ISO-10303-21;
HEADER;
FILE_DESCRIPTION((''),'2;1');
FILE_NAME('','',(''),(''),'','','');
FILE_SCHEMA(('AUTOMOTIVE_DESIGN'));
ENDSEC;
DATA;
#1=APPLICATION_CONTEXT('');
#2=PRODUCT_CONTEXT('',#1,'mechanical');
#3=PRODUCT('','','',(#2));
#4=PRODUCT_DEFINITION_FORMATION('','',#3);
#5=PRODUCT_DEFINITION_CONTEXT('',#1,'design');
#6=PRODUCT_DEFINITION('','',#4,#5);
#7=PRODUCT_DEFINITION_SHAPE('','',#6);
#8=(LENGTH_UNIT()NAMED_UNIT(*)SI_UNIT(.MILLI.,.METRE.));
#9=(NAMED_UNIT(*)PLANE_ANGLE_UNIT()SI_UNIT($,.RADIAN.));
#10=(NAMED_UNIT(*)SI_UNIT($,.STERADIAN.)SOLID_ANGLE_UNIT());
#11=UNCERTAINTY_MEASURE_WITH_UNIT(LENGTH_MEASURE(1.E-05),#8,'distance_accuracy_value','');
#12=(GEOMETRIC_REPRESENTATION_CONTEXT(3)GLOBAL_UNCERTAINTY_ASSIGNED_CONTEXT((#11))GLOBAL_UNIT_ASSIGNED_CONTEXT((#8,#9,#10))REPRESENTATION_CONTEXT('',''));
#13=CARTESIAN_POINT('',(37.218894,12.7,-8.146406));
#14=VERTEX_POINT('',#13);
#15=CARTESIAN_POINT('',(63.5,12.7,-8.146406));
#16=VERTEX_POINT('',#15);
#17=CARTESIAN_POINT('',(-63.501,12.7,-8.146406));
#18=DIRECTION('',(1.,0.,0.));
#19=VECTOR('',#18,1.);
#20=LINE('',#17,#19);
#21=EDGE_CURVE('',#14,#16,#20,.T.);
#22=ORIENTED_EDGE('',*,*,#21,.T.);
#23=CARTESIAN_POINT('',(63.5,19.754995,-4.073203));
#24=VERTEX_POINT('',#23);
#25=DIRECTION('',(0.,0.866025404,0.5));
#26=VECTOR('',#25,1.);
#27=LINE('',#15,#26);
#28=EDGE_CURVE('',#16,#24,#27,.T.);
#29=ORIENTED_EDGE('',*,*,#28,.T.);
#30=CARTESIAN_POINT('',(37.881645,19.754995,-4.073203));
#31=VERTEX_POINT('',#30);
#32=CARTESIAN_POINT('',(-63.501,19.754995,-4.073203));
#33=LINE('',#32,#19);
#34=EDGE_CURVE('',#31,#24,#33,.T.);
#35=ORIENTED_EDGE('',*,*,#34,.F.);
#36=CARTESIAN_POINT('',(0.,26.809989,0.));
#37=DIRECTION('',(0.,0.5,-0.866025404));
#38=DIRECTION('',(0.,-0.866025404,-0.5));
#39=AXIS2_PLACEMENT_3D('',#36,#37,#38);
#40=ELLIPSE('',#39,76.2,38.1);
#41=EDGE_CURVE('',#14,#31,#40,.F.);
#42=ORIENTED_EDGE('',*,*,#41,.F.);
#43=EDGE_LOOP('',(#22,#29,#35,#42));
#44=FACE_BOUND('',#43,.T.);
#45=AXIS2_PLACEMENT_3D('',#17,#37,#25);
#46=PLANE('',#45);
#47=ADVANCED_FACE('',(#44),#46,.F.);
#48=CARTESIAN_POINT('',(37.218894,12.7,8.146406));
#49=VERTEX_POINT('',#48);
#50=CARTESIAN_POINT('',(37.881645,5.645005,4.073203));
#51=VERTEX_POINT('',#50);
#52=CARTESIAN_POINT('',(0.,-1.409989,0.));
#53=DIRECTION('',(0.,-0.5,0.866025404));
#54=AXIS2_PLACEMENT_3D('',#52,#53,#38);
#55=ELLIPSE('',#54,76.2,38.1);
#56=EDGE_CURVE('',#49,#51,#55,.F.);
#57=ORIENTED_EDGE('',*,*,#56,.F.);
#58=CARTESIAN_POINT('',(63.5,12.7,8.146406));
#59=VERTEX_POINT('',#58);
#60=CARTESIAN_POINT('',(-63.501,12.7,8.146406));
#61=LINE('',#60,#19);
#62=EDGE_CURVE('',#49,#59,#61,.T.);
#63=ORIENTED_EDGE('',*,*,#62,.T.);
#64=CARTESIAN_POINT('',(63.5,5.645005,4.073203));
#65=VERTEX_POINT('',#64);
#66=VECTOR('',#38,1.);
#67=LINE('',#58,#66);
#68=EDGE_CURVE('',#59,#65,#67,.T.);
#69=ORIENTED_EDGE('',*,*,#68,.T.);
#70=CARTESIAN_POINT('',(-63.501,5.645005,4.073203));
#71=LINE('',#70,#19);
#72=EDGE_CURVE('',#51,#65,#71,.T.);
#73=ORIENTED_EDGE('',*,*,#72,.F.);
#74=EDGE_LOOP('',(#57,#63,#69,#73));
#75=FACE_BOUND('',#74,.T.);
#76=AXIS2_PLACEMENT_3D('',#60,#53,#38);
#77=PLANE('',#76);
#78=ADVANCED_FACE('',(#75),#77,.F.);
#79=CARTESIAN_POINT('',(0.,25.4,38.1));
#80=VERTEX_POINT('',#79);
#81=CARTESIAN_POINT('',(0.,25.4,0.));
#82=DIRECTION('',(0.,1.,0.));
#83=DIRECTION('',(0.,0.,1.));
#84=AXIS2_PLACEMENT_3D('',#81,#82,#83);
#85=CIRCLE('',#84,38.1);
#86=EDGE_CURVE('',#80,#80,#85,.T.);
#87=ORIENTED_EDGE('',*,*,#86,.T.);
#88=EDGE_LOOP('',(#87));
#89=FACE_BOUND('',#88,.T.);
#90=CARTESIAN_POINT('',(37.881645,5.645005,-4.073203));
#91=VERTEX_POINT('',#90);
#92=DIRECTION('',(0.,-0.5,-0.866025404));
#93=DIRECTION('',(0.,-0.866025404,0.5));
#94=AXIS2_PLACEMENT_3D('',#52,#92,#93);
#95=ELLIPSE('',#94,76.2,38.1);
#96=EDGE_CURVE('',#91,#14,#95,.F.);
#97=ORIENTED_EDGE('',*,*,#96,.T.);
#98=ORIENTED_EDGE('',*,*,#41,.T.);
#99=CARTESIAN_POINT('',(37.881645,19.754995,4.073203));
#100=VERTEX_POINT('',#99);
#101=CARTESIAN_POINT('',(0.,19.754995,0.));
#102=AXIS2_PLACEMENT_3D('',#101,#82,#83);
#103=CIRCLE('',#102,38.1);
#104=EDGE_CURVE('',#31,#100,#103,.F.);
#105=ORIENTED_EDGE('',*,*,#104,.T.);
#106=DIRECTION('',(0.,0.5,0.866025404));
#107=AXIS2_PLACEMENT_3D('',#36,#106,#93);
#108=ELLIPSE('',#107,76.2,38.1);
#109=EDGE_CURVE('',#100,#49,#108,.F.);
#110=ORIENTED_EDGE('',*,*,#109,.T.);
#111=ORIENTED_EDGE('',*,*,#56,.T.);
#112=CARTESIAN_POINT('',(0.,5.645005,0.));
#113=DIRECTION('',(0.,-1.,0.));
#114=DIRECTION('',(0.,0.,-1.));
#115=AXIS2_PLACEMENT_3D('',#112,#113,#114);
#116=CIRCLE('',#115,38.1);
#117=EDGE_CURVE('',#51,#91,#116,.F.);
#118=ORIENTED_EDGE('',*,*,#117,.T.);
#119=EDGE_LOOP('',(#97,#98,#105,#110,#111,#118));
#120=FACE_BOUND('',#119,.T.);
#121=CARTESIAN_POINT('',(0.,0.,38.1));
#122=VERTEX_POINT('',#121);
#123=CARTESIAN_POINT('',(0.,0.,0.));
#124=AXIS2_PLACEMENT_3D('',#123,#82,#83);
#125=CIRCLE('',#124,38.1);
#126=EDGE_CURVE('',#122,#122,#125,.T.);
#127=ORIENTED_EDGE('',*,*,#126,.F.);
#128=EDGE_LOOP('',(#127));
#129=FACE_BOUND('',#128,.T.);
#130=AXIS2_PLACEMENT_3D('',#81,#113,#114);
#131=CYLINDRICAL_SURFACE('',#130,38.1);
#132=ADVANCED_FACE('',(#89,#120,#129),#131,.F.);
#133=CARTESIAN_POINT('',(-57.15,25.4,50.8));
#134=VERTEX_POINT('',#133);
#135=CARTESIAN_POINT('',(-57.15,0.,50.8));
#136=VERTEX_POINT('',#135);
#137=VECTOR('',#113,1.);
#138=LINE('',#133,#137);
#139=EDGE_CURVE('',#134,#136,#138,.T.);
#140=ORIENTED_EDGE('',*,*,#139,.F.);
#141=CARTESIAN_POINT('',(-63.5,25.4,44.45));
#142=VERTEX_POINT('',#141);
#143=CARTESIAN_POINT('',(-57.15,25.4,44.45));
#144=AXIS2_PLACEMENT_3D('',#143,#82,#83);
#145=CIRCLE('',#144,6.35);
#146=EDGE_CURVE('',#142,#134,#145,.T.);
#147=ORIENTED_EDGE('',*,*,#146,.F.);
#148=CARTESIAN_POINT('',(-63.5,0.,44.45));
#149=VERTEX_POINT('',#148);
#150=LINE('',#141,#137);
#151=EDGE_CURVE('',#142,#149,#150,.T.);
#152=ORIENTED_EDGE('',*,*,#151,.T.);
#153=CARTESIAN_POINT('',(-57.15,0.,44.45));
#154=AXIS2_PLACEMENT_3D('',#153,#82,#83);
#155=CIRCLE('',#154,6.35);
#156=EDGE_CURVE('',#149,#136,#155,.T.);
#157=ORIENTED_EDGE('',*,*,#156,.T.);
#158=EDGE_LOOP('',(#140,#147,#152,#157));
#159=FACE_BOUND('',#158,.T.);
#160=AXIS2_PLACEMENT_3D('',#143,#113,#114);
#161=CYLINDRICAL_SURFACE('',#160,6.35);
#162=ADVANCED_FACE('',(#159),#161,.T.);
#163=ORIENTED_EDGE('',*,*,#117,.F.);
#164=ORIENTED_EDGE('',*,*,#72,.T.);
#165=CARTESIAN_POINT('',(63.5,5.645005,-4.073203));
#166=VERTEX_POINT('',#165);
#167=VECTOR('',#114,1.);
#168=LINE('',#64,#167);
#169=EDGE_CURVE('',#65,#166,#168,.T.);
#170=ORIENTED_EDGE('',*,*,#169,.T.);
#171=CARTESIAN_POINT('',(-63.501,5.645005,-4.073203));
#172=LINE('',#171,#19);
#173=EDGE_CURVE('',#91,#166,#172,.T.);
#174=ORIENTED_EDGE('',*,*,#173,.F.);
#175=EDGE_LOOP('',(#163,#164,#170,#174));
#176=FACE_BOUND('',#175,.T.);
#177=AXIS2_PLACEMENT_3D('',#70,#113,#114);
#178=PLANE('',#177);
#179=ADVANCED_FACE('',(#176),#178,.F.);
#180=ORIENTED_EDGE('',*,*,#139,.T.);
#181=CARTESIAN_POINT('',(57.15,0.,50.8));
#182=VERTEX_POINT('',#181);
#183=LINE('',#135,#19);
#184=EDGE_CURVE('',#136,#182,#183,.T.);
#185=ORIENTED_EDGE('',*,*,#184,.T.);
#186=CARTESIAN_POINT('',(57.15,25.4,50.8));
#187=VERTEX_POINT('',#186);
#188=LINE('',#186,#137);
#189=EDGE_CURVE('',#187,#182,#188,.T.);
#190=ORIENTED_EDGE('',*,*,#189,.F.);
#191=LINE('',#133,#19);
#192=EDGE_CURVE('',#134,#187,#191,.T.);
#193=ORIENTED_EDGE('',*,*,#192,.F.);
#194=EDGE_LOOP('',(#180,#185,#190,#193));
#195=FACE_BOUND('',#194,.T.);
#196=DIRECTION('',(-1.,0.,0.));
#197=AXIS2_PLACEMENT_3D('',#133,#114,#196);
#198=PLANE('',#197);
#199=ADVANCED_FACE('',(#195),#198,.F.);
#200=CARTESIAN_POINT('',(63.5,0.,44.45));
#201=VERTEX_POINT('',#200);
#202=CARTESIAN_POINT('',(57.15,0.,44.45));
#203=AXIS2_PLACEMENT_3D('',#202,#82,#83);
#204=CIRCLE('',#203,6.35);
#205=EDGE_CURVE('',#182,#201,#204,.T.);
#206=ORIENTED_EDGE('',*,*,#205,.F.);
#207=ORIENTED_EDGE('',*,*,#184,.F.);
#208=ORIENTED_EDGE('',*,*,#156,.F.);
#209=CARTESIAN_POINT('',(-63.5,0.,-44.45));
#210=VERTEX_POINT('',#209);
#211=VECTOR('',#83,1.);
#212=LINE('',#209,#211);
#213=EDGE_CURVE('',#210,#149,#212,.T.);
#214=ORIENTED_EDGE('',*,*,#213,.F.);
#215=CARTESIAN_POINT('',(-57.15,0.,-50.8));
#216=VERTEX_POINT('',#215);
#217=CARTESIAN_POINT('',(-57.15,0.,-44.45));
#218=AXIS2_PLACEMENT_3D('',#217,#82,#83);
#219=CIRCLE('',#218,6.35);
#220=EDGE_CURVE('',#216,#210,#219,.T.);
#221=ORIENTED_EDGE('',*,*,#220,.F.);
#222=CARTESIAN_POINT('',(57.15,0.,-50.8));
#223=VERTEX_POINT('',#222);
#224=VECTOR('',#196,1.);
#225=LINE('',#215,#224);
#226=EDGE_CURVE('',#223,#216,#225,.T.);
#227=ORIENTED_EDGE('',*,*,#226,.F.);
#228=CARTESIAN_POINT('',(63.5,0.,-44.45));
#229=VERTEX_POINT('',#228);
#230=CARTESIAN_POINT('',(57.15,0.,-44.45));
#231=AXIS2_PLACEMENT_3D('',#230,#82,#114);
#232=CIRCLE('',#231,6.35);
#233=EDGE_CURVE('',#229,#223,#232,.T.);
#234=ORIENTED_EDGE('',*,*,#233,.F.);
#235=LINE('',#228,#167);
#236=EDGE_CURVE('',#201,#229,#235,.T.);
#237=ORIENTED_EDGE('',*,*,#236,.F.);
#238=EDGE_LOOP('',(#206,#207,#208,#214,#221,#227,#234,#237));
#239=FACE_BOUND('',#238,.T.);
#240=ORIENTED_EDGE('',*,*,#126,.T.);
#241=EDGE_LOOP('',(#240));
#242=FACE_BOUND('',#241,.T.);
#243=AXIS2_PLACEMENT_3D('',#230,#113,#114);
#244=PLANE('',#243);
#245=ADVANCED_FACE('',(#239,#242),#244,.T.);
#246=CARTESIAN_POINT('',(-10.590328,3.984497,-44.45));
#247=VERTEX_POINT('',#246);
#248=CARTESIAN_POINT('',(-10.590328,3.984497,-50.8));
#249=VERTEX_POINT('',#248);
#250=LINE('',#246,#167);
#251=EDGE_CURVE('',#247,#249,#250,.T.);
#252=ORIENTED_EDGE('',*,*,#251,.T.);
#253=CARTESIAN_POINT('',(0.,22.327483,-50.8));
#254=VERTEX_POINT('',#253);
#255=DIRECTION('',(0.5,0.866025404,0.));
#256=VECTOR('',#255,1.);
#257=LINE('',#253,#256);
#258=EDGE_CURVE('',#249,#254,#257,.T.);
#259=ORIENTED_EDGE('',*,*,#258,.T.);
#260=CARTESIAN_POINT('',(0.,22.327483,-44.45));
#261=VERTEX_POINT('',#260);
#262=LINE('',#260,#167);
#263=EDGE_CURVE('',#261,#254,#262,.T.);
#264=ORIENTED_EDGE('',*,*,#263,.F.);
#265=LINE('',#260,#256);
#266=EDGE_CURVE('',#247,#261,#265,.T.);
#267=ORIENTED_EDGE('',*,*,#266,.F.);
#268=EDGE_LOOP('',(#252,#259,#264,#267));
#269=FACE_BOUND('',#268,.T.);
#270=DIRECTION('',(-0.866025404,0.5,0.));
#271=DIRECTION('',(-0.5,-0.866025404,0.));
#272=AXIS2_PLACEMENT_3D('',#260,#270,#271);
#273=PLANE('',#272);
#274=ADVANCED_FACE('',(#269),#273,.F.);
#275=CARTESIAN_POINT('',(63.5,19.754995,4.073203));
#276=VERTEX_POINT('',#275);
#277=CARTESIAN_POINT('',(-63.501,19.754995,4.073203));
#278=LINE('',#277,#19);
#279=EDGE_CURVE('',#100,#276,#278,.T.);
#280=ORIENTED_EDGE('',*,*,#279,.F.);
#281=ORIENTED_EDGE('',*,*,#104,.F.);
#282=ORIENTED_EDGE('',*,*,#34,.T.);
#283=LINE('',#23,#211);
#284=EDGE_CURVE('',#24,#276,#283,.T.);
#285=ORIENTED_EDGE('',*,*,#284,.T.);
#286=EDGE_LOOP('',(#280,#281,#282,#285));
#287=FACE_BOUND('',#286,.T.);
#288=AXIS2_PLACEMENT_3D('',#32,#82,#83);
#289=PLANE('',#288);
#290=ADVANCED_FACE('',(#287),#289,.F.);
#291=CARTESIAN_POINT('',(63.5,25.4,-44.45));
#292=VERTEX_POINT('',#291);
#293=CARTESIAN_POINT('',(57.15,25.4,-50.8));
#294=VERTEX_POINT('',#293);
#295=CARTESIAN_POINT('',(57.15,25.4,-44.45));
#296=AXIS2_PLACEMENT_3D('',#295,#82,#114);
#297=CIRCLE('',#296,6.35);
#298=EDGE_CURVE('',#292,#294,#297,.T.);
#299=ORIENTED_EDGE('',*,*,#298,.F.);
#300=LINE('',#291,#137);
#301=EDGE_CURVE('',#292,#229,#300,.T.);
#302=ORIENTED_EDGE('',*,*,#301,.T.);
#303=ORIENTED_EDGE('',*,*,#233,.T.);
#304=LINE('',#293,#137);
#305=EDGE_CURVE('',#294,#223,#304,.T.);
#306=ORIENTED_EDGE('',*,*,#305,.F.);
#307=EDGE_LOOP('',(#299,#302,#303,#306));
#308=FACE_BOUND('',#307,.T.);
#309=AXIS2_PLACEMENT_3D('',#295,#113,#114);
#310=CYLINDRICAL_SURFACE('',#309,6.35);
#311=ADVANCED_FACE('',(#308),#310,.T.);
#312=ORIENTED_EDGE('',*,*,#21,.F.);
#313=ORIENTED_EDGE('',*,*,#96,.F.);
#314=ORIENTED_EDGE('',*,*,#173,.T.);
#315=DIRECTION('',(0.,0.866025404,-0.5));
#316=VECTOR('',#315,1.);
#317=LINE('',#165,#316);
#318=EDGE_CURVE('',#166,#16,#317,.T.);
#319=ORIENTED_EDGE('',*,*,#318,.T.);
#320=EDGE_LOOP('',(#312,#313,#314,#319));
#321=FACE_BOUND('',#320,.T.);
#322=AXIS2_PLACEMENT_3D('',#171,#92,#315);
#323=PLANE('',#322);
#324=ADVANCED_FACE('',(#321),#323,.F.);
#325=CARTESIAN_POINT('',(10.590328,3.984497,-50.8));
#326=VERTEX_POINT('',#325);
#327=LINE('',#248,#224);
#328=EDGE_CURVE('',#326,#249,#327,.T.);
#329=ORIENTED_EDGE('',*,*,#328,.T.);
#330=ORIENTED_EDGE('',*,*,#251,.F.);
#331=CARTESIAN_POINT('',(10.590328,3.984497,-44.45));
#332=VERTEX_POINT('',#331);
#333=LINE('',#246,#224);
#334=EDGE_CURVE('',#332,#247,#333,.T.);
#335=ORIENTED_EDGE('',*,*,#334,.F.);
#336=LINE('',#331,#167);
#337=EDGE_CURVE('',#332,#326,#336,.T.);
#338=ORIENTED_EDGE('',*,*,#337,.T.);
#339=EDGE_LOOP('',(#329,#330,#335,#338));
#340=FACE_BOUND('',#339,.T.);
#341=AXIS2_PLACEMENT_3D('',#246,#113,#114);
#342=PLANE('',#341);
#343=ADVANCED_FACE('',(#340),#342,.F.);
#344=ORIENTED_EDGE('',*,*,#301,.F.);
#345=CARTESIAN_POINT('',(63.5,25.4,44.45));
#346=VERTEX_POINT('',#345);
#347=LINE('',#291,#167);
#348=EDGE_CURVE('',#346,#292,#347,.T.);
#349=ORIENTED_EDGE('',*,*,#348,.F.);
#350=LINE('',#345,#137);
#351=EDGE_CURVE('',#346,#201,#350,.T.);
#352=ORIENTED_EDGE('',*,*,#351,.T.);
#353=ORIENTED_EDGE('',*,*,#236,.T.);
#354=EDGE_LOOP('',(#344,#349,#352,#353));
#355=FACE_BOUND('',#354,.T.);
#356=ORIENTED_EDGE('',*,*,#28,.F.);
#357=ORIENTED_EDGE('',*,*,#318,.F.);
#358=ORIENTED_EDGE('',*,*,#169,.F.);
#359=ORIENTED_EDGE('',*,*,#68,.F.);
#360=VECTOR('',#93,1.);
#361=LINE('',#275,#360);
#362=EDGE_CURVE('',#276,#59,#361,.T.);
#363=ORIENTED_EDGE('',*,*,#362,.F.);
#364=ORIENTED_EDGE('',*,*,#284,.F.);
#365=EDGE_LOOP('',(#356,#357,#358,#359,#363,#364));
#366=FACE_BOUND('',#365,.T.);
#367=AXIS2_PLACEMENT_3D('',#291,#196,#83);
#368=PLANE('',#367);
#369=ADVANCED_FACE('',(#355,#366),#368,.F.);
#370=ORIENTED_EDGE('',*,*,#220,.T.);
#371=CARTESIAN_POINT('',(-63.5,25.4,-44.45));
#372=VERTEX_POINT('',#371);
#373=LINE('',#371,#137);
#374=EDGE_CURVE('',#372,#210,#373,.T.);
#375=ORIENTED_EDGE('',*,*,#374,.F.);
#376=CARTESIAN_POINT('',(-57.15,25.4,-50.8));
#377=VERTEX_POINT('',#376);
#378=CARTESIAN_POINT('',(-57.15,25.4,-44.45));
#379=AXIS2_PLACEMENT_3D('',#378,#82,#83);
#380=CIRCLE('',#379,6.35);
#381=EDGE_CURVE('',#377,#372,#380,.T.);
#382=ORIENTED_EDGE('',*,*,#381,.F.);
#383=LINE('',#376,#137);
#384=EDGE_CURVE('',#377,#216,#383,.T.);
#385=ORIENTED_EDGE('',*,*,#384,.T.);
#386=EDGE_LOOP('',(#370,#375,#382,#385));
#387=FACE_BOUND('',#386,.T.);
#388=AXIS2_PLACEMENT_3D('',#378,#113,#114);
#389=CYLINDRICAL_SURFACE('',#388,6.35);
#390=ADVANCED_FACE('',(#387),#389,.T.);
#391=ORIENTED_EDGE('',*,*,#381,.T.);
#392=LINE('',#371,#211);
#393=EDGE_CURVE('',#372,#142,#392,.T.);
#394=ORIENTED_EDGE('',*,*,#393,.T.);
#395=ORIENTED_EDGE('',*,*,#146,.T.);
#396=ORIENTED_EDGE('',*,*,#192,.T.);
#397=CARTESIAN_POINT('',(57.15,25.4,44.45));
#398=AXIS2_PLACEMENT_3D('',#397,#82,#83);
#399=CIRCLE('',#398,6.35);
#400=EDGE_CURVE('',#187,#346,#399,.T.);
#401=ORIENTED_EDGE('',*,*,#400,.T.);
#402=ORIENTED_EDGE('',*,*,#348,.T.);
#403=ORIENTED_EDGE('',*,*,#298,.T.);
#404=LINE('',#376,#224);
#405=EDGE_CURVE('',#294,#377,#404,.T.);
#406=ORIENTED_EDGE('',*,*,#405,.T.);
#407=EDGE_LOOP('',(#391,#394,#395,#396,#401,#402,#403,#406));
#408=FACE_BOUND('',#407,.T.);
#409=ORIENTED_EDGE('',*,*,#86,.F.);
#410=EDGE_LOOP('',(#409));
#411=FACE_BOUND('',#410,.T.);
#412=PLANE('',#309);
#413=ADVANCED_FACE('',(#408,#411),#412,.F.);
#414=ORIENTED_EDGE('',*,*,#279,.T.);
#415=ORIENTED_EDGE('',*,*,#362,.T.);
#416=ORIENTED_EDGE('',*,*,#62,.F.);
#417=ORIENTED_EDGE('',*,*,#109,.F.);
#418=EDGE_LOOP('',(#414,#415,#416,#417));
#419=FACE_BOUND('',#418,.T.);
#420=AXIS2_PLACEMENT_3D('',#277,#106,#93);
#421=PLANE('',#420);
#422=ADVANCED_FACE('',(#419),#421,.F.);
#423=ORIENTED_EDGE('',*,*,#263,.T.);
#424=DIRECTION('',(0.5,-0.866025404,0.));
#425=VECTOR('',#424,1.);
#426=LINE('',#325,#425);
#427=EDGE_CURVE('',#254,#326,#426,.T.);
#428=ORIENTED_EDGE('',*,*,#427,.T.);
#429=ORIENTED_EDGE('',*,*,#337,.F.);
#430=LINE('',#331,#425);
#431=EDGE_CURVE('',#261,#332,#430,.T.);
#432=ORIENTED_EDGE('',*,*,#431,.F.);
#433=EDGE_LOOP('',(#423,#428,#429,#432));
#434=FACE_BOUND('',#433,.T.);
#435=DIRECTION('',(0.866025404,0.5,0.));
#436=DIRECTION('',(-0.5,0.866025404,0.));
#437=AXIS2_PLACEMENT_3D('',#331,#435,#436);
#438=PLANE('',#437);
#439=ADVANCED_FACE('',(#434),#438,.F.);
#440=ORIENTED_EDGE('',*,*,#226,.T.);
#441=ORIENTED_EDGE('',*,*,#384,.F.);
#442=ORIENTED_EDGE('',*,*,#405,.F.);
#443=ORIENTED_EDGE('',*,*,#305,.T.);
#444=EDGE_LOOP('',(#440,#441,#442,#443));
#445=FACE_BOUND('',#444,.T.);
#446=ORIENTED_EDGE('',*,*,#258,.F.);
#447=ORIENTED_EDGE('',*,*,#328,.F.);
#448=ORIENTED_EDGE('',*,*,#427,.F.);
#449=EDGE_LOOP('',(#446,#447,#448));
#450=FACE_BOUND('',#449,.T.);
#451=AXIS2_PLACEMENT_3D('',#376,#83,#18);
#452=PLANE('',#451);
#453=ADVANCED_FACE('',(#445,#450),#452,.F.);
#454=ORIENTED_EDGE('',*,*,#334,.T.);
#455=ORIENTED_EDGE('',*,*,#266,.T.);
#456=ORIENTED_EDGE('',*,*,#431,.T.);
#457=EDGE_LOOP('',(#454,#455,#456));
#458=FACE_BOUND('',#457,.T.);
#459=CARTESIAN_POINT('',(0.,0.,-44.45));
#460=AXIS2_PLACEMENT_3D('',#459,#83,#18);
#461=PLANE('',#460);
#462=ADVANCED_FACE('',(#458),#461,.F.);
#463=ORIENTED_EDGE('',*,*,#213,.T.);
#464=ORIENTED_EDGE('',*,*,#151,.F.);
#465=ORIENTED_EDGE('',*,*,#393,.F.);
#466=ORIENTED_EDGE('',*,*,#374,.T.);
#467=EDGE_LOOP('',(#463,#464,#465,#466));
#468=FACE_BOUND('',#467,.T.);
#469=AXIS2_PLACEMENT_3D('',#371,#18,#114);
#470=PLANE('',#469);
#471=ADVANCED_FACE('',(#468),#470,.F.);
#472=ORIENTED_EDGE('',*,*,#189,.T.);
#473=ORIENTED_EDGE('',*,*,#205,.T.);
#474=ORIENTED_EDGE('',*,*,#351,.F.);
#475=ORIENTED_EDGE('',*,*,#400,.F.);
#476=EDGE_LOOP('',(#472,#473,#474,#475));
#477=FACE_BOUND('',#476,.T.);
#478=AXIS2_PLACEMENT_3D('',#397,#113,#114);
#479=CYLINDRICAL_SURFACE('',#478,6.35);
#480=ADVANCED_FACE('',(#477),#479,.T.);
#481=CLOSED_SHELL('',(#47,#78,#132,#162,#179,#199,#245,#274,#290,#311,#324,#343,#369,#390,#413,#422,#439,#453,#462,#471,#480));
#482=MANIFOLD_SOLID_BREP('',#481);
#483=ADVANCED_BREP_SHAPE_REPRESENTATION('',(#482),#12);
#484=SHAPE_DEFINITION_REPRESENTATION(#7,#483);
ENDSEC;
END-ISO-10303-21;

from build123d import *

# Parameters (mm, degrees)
SKETCH1_R               = 38.1
BOSS_EXTRUDE1_DEPTH     = 25.4
CUT_EXTRUDE1_REACH      = 141.122
CUT_EXTRUDE1_END_RADIUS = 38.1
CUT_EXTRUDE3_DEPTH      = 6.35


with BuildPart() as part:
    # Sketch1 → Boss-Extrude1 (new body)
    with BuildSketch(Plane(origin=(0, 0, 0), x_dir=(1, 0, 0), z_dir=(0, 1, 0))):
        with BuildLine():
            Line((-57.15, 50.8), (57.15, 50.8))
            ThreePointArc((57.15, 50.8), (61.640128061, 48.940128061), (63.5, 44.45))
            Line((63.5, 44.45), (63.5, -44.45))
            ThreePointArc((63.5, -44.45), (61.640128061, -48.940128061), (57.15, -50.8))
            Line((57.15, -50.8), (-57.15, -50.8))
            ThreePointArc((-57.15, -50.8), (-61.640128061, -48.940128061), (-63.5, -44.45))
            Line((-63.5, -44.45), (-63.5, 44.45))
            ThreePointArc((-63.5, 44.45), (-61.640128061, 48.940128061), (-57.15, 50.8))
        make_face()
        with Locations(Location((0, 0, 0), (0, 0, 270))):
            Circle(SKETCH1_R, mode=Mode.SUBTRACT)
    extrude(amount=BOSS_EXTRUDE1_DEPTH)

    # Cut-Extrude1: up to this cylinder (the profile starts outside it)
    cut_extrude1_end = Plane(origin=(0, 12.7, 0), z_dir=(0, -1, 0)) * Cylinder(CUT_EXTRUDE1_END_RADIUS, 359.444, mode=Mode.PRIVATE)
    # Sketch2 → Cut-Extrude1 (cut, up to the surface)
    with BuildSketch(Plane(origin=(63.5, 0, 0), x_dir=(0, 0, -1), z_dir=(1, 0, 0)), mode=Mode.PRIVATE) as cut_extrude1_sk1:
        Polygon((8.146406132, 12.7), (4.073203066, 19.75499466), (-4.073203066, 19.75499466), (-8.146406132, 12.7), (-4.073203066, 5.64500534), (4.073203066, 5.64500534), align=None)
    cut_extrude1_tool1 = extrude(cut_extrude1_sk1.sketch, amount=-CUT_EXTRUDE1_REACH, mode=Mode.PRIVATE) - cut_extrude1_end
    add(cut_extrude1_tool1.solids().sort_by_distance((63.5, 12.7, 0))[0], mode=Mode.SUBTRACT)

    # Sketch3 → Cut-Extrude3 (cut)
    with BuildSketch(Plane(origin=(0, 0, -50.8), x_dir=(-1, 0, 0), z_dir=(0, 0, -1))):
        Polygon((0, 22.327483366), (10.590327972, 3.984497249), (-10.590327972, 3.984497249), align=None)
    extrude(amount=-CUT_EXTRUDE3_DEPTH, mode=Mode.SUBTRACT)


solid = part.part
